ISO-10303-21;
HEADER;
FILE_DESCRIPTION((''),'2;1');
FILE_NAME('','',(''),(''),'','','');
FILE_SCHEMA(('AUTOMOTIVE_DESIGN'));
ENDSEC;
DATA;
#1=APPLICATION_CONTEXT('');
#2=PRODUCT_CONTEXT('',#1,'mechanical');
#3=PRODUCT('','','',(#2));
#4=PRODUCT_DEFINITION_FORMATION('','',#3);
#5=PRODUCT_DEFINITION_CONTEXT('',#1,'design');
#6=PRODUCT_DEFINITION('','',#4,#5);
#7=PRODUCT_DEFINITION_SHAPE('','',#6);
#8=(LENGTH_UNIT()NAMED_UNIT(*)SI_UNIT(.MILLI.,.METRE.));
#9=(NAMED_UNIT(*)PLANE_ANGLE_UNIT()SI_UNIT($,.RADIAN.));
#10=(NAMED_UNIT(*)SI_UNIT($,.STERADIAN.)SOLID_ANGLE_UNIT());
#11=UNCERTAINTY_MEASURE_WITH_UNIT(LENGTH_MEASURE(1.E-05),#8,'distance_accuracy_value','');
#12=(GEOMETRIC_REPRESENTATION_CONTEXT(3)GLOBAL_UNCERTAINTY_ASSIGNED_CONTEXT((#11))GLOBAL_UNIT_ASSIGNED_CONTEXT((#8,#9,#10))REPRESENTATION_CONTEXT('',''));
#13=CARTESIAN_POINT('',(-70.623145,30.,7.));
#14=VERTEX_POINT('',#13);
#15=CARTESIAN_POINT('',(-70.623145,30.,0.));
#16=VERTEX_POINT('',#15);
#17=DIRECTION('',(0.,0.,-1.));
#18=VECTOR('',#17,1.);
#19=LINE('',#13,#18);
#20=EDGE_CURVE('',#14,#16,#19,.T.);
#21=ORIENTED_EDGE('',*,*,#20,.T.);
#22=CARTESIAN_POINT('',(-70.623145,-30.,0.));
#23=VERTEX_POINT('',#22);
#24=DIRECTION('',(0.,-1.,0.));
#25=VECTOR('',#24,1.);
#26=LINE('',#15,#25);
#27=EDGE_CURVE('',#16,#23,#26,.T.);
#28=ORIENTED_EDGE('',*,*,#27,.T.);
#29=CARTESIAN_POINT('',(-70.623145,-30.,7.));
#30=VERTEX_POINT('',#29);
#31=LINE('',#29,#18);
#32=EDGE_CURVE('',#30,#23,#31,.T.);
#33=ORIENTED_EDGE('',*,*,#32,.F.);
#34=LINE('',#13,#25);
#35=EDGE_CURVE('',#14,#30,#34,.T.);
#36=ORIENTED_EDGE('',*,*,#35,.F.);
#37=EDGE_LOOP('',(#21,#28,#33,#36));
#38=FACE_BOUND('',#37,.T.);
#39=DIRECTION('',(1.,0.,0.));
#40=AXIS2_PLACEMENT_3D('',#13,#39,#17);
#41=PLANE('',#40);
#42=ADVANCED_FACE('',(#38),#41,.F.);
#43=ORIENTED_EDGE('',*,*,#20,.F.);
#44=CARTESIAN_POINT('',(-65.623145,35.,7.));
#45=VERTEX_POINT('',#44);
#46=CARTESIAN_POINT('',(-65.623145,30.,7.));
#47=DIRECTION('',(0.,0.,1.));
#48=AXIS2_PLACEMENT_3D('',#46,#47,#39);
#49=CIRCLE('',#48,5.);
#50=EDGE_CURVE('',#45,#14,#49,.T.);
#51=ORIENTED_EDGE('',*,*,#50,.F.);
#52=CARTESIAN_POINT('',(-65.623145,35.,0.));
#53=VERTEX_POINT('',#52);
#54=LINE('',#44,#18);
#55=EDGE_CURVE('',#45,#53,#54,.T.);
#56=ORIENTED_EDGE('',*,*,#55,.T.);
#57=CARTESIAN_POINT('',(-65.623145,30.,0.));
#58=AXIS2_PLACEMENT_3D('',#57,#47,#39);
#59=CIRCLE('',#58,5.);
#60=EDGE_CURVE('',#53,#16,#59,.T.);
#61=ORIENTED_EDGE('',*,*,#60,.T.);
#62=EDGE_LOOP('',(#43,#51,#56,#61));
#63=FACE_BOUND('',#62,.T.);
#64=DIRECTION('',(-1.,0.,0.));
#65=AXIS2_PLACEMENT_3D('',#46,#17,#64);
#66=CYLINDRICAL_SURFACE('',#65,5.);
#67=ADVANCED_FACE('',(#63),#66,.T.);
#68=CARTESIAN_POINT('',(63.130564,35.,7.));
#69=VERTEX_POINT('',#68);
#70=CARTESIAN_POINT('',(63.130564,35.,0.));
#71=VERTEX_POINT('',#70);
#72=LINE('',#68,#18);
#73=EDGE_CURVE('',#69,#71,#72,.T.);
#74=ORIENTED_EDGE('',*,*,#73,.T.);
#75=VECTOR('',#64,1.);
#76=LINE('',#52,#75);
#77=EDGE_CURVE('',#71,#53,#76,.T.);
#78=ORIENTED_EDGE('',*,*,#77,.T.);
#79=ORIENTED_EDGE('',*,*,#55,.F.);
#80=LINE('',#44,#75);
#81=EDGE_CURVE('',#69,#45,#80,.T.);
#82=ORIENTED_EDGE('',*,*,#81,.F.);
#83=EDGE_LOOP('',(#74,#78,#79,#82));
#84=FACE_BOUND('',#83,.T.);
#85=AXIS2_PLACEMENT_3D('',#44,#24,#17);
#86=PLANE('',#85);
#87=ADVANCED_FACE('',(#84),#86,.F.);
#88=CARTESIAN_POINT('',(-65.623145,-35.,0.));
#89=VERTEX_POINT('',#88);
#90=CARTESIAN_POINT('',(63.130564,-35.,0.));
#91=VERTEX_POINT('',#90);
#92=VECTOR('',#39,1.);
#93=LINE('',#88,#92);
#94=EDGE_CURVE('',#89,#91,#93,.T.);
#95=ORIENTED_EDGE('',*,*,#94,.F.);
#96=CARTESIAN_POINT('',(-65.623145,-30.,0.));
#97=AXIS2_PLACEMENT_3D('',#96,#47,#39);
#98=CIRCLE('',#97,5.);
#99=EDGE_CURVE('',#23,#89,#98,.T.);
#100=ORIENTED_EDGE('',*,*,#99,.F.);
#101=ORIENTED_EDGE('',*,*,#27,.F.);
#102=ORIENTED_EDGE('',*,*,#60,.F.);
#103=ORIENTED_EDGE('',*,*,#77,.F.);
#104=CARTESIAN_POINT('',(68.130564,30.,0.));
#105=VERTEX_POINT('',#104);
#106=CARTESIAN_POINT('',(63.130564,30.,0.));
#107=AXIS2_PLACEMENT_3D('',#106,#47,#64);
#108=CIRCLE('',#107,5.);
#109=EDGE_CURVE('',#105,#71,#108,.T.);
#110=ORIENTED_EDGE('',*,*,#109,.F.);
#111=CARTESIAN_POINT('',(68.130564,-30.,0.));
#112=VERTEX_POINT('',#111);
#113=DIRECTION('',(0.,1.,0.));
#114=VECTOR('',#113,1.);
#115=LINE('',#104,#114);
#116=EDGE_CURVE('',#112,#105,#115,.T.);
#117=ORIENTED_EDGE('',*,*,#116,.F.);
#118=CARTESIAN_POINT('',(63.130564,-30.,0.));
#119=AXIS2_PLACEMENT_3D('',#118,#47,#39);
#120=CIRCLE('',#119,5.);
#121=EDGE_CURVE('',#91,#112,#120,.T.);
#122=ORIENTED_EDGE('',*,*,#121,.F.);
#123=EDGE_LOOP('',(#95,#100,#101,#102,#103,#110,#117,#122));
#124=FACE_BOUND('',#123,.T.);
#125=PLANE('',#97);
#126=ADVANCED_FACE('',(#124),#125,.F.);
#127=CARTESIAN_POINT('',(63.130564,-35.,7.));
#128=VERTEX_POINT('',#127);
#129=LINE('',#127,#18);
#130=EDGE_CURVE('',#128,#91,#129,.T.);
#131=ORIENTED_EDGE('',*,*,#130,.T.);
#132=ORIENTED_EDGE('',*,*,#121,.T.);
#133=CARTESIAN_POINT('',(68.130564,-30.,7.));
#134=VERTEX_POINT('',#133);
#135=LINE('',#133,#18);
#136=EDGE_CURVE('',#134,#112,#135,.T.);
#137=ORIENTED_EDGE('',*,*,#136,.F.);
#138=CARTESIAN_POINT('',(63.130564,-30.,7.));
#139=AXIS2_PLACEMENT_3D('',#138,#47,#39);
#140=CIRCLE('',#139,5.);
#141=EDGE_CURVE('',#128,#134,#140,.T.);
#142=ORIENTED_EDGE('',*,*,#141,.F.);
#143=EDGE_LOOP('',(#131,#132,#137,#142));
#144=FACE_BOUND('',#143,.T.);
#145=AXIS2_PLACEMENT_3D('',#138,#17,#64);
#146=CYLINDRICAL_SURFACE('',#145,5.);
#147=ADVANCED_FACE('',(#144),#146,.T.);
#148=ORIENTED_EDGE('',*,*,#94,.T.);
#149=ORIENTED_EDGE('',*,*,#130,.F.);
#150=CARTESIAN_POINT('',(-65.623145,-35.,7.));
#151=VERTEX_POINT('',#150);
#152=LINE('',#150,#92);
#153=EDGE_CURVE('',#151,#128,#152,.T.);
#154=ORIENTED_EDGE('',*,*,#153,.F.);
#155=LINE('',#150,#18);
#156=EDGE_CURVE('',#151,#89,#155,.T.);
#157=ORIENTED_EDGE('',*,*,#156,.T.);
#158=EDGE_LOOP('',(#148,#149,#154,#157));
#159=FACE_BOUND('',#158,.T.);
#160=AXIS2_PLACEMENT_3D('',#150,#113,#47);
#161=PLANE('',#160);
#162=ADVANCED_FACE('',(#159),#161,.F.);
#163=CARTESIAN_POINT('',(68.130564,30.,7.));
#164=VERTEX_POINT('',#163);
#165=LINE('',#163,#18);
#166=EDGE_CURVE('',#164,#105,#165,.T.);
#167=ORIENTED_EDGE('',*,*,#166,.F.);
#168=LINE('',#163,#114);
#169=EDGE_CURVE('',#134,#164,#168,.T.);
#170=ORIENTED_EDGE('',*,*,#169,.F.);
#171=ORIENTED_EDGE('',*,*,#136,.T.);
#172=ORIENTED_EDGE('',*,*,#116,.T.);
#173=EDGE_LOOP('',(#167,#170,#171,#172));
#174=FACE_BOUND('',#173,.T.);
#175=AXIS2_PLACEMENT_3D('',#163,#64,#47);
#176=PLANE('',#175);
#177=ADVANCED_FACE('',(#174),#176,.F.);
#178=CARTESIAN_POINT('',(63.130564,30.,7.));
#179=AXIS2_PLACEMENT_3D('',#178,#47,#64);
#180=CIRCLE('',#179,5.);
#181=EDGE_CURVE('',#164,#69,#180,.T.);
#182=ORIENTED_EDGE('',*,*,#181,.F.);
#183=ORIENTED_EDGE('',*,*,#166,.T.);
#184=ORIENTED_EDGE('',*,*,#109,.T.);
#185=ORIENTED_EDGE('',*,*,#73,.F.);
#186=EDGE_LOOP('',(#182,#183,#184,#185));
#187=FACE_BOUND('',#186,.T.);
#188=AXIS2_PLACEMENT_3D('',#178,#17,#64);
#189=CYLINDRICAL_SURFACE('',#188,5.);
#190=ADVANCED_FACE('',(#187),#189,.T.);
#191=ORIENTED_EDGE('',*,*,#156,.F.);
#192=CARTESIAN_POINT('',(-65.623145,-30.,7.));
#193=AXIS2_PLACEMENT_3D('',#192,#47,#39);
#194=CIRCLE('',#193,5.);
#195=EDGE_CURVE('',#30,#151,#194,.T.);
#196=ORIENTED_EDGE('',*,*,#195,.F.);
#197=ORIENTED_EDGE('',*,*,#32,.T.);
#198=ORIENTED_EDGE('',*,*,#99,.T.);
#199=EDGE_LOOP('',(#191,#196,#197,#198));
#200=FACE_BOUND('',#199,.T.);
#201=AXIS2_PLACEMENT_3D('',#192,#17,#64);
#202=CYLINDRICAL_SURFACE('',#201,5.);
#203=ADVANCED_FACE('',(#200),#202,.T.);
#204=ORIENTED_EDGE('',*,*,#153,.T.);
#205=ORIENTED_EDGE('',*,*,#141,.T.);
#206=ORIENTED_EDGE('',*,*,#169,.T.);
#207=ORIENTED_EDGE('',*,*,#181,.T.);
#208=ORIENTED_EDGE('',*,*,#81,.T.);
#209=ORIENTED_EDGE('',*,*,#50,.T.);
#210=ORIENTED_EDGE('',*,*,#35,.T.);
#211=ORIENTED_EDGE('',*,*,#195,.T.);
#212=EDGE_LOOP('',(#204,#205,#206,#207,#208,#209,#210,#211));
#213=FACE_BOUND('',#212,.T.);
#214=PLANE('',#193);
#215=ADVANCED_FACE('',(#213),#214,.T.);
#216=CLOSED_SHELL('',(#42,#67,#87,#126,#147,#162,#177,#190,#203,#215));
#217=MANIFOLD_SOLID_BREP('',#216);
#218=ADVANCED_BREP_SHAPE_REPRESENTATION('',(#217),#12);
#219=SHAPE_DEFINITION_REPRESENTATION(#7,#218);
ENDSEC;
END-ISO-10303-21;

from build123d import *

# Parameters (mm, degrees)
BOSS_EXTRUDE1_DEPTH = 7


with BuildPart() as part:
    # Sketch1 → Boss-Extrude1 (new body)
    with BuildSketch(Plane.XY):
        with BuildLine():
            Line((-65.623145401, 35), (63.130563798, 35))
            ThreePointArc((63.130563798, 35), (66.666097704, 33.535533906), (68.130563798, 30))
            Line((68.130563798, 30), (68.130563798, -30))
            ThreePointArc((68.130563798, -30), (66.666097704, -33.535533906), (63.130563798, -35))
            Line((63.130563798, -35), (-65.623145401, -35))
            ThreePointArc((-65.623145401, -35), (-69.158679307, -33.535533906), (-70.623145401, -30))
            Line((-70.623145401, -30), (-70.623145401, 30))
            ThreePointArc((-70.623145401, 30), (-69.158679307, 33.535533906), (-65.623145401, 35))
        make_face()
    extrude(amount=BOSS_EXTRUDE1_DEPTH)


solid = part.part
